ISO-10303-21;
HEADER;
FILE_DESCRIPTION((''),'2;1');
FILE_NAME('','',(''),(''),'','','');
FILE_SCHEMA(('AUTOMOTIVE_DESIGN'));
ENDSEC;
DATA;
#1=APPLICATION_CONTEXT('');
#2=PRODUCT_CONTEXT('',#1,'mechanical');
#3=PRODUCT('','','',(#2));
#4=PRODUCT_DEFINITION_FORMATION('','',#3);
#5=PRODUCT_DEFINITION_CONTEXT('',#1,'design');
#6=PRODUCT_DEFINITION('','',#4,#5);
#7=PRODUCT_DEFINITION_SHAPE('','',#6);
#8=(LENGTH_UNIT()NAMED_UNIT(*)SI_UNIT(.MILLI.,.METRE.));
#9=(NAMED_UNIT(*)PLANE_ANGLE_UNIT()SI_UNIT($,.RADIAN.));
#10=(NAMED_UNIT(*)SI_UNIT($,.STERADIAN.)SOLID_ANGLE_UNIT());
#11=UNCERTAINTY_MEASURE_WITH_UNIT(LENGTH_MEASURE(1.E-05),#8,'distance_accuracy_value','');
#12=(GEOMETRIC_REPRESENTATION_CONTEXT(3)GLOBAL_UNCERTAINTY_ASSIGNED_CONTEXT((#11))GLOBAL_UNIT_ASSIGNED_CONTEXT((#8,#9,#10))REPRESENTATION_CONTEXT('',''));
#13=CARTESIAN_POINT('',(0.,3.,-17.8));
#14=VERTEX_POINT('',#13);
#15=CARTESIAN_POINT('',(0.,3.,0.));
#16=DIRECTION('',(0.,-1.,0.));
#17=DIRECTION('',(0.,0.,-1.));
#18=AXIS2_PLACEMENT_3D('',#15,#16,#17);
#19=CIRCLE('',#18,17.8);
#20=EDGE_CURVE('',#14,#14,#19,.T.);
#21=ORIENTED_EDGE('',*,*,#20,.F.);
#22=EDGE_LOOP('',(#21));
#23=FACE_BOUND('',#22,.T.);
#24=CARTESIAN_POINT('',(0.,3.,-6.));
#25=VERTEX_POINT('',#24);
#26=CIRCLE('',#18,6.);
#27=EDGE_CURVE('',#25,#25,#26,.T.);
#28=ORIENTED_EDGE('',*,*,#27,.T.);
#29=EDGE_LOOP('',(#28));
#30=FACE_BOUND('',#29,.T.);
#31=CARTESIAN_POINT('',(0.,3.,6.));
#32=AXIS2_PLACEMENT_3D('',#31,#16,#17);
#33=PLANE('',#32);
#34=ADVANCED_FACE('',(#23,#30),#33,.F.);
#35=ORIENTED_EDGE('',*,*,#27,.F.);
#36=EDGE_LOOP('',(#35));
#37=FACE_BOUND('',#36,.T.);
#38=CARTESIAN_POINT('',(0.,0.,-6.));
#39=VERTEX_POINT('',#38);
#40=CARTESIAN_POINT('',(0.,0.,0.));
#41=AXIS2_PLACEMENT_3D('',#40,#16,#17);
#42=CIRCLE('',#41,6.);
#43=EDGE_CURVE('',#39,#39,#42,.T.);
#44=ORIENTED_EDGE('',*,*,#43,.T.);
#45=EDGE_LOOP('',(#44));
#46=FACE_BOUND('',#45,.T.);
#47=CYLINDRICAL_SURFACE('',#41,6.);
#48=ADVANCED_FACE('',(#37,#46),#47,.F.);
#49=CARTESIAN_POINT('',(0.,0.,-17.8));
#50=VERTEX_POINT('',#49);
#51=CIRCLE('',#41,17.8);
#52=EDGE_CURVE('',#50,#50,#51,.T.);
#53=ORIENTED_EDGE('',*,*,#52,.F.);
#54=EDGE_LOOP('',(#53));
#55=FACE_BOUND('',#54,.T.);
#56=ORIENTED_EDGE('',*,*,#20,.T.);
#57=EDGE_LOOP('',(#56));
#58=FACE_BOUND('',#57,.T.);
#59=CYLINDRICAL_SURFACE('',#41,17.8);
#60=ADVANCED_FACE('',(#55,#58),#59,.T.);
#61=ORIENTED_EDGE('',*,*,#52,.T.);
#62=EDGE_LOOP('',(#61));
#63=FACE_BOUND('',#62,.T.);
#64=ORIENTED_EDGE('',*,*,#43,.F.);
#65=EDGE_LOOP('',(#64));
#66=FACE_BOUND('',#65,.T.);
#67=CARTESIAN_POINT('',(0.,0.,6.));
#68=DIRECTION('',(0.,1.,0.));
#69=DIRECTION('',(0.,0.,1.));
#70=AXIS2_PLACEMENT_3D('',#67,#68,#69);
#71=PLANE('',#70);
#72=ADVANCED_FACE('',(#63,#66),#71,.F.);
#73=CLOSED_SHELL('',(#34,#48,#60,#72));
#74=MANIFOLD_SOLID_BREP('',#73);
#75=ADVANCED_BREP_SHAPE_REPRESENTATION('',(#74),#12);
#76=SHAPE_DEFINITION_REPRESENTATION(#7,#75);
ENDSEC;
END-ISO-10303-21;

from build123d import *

# Parameters (mm, degrees)
SKIZZE1_W = 11.8
SKIZZE1_H = 3


with BuildPart() as part:
    # Skizze1 → Rotation1 (revolve)
    with BuildSketch(Plane(origin=(0, 0, 0), x_dir=(0, 0, -1), z_dir=(1, 0, 0))):
        with Locations((-11.9, 1.5)):
            Rectangle(SKIZZE1_W, SKIZZE1_H)
    revolve(axis=Axis((0, 0, 0), (0, 1, 0)))


solid = part.part
